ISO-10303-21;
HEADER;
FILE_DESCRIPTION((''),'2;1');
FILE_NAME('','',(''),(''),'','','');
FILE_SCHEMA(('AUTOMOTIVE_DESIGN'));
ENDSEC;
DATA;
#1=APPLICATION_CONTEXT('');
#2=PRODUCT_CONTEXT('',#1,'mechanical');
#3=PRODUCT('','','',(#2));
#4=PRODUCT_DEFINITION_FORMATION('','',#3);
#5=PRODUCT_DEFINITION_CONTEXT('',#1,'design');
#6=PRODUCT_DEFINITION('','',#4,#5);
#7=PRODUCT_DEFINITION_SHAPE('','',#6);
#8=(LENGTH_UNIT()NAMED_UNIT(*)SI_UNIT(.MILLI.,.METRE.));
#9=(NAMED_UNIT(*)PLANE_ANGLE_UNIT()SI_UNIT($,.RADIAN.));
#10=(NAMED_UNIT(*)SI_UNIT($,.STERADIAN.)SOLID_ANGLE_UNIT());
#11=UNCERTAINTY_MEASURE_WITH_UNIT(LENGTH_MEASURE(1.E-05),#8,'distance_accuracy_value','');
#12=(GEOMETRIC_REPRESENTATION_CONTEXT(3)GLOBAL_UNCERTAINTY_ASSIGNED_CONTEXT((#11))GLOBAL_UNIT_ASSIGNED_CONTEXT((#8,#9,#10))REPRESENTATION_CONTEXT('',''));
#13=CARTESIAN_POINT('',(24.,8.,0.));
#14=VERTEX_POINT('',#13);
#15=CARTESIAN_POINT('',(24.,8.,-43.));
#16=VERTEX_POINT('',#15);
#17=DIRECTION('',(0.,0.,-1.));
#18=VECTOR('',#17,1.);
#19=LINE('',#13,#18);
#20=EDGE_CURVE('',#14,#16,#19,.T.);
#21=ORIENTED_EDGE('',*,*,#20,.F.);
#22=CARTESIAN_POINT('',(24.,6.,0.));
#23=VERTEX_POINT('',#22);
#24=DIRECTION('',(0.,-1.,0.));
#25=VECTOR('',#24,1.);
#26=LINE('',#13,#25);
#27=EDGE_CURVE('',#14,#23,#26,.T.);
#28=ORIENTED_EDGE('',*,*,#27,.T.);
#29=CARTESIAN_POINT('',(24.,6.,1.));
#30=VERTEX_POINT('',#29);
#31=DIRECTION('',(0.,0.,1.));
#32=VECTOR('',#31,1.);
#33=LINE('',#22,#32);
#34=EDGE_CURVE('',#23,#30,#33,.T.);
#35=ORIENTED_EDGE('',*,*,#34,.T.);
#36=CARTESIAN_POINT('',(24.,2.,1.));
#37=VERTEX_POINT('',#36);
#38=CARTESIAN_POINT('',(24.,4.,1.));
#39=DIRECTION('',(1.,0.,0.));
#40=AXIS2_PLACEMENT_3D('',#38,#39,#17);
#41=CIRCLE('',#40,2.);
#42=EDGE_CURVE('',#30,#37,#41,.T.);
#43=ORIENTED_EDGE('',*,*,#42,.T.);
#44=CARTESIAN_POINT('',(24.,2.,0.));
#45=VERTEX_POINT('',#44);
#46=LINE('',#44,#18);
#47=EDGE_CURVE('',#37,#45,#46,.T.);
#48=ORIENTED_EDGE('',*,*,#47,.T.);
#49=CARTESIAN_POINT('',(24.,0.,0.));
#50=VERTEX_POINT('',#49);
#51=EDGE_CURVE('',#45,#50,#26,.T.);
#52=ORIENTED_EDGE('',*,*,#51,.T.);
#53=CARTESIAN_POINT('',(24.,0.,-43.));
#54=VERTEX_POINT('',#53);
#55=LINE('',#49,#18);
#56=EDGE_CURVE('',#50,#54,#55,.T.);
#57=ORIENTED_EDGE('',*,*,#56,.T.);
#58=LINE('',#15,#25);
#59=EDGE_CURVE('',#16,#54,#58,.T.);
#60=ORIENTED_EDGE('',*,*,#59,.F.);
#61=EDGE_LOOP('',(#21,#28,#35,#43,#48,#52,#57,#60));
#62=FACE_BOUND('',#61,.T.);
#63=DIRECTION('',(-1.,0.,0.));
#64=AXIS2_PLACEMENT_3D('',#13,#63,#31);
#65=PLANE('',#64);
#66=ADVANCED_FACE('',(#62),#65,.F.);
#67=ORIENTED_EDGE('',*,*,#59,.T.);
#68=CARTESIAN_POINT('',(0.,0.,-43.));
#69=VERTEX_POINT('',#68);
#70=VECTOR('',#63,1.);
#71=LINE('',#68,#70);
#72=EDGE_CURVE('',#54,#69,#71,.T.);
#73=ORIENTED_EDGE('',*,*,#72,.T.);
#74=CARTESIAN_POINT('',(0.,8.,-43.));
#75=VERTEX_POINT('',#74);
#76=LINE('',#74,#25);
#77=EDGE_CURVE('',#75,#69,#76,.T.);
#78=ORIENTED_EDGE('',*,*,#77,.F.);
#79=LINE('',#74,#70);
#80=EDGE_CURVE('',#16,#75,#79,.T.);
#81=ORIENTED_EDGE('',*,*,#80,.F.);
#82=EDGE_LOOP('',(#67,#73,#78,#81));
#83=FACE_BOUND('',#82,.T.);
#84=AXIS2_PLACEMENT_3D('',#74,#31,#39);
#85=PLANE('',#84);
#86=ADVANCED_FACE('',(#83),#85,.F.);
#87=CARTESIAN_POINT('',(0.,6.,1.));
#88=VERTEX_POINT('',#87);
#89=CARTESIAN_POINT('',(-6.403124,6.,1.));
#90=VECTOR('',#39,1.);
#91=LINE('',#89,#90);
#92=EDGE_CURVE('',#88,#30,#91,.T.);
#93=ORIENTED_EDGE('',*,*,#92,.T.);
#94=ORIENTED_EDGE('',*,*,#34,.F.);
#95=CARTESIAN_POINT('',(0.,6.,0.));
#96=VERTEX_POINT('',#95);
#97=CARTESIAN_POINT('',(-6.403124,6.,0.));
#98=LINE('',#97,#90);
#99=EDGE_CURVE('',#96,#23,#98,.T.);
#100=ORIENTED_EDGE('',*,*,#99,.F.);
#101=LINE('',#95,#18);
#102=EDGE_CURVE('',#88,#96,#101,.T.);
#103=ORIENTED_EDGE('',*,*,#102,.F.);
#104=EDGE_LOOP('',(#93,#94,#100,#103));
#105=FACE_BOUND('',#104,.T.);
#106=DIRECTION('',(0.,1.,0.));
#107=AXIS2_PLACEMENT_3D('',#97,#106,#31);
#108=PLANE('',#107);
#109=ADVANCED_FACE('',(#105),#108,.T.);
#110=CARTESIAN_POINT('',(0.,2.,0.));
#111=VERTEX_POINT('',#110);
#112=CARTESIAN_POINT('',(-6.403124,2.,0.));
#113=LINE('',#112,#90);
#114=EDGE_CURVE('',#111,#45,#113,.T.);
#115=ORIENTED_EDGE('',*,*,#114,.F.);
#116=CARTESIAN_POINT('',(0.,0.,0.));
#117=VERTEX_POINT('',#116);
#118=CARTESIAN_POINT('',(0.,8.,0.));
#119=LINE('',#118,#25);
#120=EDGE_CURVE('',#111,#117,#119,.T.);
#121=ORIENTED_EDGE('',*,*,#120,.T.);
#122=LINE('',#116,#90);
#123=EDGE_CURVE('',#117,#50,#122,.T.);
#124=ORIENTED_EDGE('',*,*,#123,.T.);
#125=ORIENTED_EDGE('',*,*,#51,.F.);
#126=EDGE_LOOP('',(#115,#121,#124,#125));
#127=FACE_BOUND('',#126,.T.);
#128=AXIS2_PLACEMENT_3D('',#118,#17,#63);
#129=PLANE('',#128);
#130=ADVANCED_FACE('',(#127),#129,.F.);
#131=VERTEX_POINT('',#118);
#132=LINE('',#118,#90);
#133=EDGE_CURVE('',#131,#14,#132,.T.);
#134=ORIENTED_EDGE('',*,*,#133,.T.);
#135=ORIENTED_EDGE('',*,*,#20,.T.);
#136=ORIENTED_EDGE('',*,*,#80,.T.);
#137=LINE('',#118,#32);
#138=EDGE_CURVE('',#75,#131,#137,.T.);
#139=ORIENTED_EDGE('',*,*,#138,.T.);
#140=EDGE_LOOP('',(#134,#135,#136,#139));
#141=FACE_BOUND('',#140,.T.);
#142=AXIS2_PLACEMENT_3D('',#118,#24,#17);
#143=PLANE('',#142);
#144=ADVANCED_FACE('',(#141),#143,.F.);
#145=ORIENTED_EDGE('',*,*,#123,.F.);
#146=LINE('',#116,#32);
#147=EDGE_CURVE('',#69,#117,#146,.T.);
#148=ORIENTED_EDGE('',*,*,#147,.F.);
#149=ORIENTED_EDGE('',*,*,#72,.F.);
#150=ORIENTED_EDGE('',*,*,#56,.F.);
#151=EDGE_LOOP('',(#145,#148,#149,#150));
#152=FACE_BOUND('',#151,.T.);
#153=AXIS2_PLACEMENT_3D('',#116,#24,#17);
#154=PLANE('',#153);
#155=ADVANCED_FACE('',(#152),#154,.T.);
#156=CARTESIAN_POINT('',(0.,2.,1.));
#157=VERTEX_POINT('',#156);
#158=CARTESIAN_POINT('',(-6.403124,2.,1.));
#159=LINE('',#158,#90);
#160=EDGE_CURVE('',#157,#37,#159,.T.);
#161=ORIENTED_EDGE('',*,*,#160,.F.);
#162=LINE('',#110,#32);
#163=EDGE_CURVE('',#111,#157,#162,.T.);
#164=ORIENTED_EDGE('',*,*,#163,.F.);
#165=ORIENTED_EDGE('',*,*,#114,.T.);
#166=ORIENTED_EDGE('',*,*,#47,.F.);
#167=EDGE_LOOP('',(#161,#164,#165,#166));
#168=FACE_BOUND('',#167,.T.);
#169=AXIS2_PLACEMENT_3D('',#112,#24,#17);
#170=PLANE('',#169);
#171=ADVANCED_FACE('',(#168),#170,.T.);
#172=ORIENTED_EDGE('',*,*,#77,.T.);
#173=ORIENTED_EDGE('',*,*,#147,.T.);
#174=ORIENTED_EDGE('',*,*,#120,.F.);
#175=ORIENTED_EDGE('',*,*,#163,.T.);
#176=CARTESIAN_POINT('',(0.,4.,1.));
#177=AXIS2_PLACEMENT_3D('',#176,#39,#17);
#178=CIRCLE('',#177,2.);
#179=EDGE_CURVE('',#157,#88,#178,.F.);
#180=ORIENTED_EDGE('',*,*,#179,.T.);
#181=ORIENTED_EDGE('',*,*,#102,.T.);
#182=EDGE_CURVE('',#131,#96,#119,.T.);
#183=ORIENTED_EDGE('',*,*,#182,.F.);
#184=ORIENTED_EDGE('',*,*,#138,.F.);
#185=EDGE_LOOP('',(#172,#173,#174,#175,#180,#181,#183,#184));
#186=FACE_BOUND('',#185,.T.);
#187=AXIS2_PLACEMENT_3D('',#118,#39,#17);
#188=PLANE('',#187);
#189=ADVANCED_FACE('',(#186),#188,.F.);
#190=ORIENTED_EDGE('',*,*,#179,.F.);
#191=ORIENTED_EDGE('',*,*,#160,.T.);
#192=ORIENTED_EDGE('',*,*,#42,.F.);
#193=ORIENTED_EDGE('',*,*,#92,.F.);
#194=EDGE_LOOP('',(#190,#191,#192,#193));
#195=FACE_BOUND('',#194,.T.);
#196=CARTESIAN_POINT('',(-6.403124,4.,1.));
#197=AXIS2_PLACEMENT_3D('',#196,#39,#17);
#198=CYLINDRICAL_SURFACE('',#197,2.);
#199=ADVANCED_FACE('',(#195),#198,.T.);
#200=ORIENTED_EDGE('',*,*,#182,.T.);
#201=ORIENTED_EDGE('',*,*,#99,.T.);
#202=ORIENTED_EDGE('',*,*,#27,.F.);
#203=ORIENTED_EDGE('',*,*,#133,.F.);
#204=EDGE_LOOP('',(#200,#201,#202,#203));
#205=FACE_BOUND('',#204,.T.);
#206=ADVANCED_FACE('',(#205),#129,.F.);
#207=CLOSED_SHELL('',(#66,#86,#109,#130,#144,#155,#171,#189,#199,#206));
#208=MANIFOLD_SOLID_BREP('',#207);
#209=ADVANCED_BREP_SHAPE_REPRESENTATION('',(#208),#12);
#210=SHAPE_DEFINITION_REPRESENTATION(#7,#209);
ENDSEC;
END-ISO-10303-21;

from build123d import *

# Parameters (mm, degrees)
SKETCH_1_W      = 24
SKETCH_1_H      = 43
EXTRUDE_1_DEPTH = 8
EXTRUDE_2_DEPTH = 24


with BuildPart() as part:
    # 草图1 → 凸台-拉伸1 (new body)
    with BuildSketch(Plane(origin=(0, 0, 0), x_dir=(1, 0, 0), z_dir=(0, 1, 0))):
        with Locations((12, 21.5)):
            Rectangle(SKETCH_1_W, SKETCH_1_H)
    extrude(amount=EXTRUDE_1_DEPTH)

    # 草图2 → 凸台-拉伸2 (add)
    with BuildSketch(Plane(origin=(24, 0, 0), x_dir=(0, 0, -1), z_dir=(1, 0, 0))):
        with BuildLine():
            Line((0, 2), (-1, 2))
            ThreePointArc((-1, 2), (-3, 4), (-1, 6))
            Line((-1, 6), (0, 6))
            ThreePointArc((0, 6), (2, 4), (0, 2))
        make_face()
    extrude(amount=-EXTRUDE_2_DEPTH)


solid = part.part
